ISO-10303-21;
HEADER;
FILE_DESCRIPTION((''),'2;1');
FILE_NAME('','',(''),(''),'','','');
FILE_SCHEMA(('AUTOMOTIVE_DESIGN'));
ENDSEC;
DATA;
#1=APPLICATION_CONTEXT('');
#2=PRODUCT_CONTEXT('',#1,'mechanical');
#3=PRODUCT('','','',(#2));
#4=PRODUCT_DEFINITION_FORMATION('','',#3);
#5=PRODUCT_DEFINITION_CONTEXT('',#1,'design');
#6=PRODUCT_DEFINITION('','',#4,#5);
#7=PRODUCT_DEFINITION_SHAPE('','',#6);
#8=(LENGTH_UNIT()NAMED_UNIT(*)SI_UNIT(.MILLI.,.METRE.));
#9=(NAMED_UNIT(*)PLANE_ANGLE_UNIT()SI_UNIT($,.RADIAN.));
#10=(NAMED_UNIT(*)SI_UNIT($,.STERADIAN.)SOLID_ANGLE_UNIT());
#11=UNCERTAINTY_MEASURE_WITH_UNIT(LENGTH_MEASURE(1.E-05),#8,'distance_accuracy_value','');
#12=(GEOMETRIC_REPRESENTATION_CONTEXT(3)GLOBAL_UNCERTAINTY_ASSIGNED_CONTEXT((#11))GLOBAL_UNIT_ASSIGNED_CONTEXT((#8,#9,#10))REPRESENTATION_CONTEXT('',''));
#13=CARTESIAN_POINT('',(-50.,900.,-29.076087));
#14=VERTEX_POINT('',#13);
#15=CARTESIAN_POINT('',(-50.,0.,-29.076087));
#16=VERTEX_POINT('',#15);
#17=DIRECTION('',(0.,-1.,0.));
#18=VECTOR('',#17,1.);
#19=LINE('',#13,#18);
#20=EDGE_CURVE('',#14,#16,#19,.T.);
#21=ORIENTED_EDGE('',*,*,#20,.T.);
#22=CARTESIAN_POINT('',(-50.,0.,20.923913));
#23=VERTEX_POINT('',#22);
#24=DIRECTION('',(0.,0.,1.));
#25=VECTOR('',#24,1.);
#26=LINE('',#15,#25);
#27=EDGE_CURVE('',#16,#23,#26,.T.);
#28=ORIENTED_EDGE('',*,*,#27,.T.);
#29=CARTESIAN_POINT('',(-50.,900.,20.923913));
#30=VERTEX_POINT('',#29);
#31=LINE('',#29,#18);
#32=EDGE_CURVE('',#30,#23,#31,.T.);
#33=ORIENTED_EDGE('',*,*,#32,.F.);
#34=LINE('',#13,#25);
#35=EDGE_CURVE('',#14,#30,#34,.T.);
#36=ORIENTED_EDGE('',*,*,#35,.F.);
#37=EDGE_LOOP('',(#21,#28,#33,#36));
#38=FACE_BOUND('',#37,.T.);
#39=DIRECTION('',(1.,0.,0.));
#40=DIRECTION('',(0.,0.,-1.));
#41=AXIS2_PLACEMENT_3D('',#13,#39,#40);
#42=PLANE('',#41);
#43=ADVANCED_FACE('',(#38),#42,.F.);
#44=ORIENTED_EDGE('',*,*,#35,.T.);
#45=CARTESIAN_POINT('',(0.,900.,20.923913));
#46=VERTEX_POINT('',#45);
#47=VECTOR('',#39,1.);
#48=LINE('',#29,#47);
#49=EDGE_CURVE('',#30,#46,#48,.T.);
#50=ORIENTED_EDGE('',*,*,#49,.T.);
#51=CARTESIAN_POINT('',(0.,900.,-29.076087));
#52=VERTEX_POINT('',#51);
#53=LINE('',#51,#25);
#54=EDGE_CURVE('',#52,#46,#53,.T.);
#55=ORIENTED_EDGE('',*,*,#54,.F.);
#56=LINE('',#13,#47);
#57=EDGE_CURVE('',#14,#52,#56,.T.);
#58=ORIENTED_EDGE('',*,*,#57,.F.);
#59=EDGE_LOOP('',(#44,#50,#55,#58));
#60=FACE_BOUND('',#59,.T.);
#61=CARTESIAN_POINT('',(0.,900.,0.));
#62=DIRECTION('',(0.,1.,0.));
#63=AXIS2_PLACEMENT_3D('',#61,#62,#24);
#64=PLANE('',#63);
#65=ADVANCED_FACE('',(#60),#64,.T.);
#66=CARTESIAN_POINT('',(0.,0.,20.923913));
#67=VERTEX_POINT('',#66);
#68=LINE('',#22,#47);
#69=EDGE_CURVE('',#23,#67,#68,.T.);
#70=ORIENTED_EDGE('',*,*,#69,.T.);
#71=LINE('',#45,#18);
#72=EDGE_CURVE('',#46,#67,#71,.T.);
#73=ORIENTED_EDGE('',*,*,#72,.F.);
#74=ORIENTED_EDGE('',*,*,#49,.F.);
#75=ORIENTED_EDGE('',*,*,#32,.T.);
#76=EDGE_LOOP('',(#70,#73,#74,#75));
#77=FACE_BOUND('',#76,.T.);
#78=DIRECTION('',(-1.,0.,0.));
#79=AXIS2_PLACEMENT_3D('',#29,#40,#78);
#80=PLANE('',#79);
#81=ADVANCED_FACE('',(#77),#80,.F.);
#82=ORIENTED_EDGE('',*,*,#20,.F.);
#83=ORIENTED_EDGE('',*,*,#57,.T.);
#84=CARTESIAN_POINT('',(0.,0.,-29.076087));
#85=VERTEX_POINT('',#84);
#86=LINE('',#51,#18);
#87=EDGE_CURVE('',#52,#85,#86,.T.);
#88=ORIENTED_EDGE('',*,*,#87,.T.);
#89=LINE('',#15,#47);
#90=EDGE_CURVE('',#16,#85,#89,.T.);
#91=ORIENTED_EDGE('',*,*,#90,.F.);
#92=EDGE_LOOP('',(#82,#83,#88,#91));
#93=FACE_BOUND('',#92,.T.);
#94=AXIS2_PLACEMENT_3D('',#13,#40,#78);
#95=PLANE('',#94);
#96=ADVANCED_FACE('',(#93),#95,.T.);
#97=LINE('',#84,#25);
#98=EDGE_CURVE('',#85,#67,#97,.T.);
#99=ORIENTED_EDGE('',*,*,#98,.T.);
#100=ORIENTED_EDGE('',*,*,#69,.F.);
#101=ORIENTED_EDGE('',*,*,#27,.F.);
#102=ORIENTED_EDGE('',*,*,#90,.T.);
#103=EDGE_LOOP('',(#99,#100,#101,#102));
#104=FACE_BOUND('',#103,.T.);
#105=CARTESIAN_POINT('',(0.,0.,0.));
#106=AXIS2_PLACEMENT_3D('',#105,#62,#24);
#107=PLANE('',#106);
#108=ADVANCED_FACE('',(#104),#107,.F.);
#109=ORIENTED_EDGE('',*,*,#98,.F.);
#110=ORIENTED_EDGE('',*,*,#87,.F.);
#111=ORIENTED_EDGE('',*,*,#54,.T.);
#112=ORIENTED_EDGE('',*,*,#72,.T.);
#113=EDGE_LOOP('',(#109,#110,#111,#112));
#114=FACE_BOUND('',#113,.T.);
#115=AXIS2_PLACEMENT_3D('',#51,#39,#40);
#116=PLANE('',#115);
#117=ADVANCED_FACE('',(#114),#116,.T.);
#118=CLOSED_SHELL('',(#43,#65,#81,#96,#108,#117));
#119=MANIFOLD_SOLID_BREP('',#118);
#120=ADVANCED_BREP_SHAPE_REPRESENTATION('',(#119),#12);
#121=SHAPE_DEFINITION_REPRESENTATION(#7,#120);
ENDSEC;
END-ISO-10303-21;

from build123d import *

# Parameters (mm, degrees)
ESBO_O2_W                = 50
ESBO_O2_H                = 50
RESSALTO_EXTRUS_O1_DEPTH = 900


with BuildPart() as part:
    # Esboço2 → Ressalto-extrusão1 (new body)
    with BuildSketch(Plane(origin=(0, 0, 0), x_dir=(1, 0, 0), z_dir=(0, 1, 0))):
        with Locations((-25, 4.076086957)):
            Rectangle(ESBO_O2_W, ESBO_O2_H)
    extrude(amount=RESSALTO_EXTRUS_O1_DEPTH)


solid = part.part
